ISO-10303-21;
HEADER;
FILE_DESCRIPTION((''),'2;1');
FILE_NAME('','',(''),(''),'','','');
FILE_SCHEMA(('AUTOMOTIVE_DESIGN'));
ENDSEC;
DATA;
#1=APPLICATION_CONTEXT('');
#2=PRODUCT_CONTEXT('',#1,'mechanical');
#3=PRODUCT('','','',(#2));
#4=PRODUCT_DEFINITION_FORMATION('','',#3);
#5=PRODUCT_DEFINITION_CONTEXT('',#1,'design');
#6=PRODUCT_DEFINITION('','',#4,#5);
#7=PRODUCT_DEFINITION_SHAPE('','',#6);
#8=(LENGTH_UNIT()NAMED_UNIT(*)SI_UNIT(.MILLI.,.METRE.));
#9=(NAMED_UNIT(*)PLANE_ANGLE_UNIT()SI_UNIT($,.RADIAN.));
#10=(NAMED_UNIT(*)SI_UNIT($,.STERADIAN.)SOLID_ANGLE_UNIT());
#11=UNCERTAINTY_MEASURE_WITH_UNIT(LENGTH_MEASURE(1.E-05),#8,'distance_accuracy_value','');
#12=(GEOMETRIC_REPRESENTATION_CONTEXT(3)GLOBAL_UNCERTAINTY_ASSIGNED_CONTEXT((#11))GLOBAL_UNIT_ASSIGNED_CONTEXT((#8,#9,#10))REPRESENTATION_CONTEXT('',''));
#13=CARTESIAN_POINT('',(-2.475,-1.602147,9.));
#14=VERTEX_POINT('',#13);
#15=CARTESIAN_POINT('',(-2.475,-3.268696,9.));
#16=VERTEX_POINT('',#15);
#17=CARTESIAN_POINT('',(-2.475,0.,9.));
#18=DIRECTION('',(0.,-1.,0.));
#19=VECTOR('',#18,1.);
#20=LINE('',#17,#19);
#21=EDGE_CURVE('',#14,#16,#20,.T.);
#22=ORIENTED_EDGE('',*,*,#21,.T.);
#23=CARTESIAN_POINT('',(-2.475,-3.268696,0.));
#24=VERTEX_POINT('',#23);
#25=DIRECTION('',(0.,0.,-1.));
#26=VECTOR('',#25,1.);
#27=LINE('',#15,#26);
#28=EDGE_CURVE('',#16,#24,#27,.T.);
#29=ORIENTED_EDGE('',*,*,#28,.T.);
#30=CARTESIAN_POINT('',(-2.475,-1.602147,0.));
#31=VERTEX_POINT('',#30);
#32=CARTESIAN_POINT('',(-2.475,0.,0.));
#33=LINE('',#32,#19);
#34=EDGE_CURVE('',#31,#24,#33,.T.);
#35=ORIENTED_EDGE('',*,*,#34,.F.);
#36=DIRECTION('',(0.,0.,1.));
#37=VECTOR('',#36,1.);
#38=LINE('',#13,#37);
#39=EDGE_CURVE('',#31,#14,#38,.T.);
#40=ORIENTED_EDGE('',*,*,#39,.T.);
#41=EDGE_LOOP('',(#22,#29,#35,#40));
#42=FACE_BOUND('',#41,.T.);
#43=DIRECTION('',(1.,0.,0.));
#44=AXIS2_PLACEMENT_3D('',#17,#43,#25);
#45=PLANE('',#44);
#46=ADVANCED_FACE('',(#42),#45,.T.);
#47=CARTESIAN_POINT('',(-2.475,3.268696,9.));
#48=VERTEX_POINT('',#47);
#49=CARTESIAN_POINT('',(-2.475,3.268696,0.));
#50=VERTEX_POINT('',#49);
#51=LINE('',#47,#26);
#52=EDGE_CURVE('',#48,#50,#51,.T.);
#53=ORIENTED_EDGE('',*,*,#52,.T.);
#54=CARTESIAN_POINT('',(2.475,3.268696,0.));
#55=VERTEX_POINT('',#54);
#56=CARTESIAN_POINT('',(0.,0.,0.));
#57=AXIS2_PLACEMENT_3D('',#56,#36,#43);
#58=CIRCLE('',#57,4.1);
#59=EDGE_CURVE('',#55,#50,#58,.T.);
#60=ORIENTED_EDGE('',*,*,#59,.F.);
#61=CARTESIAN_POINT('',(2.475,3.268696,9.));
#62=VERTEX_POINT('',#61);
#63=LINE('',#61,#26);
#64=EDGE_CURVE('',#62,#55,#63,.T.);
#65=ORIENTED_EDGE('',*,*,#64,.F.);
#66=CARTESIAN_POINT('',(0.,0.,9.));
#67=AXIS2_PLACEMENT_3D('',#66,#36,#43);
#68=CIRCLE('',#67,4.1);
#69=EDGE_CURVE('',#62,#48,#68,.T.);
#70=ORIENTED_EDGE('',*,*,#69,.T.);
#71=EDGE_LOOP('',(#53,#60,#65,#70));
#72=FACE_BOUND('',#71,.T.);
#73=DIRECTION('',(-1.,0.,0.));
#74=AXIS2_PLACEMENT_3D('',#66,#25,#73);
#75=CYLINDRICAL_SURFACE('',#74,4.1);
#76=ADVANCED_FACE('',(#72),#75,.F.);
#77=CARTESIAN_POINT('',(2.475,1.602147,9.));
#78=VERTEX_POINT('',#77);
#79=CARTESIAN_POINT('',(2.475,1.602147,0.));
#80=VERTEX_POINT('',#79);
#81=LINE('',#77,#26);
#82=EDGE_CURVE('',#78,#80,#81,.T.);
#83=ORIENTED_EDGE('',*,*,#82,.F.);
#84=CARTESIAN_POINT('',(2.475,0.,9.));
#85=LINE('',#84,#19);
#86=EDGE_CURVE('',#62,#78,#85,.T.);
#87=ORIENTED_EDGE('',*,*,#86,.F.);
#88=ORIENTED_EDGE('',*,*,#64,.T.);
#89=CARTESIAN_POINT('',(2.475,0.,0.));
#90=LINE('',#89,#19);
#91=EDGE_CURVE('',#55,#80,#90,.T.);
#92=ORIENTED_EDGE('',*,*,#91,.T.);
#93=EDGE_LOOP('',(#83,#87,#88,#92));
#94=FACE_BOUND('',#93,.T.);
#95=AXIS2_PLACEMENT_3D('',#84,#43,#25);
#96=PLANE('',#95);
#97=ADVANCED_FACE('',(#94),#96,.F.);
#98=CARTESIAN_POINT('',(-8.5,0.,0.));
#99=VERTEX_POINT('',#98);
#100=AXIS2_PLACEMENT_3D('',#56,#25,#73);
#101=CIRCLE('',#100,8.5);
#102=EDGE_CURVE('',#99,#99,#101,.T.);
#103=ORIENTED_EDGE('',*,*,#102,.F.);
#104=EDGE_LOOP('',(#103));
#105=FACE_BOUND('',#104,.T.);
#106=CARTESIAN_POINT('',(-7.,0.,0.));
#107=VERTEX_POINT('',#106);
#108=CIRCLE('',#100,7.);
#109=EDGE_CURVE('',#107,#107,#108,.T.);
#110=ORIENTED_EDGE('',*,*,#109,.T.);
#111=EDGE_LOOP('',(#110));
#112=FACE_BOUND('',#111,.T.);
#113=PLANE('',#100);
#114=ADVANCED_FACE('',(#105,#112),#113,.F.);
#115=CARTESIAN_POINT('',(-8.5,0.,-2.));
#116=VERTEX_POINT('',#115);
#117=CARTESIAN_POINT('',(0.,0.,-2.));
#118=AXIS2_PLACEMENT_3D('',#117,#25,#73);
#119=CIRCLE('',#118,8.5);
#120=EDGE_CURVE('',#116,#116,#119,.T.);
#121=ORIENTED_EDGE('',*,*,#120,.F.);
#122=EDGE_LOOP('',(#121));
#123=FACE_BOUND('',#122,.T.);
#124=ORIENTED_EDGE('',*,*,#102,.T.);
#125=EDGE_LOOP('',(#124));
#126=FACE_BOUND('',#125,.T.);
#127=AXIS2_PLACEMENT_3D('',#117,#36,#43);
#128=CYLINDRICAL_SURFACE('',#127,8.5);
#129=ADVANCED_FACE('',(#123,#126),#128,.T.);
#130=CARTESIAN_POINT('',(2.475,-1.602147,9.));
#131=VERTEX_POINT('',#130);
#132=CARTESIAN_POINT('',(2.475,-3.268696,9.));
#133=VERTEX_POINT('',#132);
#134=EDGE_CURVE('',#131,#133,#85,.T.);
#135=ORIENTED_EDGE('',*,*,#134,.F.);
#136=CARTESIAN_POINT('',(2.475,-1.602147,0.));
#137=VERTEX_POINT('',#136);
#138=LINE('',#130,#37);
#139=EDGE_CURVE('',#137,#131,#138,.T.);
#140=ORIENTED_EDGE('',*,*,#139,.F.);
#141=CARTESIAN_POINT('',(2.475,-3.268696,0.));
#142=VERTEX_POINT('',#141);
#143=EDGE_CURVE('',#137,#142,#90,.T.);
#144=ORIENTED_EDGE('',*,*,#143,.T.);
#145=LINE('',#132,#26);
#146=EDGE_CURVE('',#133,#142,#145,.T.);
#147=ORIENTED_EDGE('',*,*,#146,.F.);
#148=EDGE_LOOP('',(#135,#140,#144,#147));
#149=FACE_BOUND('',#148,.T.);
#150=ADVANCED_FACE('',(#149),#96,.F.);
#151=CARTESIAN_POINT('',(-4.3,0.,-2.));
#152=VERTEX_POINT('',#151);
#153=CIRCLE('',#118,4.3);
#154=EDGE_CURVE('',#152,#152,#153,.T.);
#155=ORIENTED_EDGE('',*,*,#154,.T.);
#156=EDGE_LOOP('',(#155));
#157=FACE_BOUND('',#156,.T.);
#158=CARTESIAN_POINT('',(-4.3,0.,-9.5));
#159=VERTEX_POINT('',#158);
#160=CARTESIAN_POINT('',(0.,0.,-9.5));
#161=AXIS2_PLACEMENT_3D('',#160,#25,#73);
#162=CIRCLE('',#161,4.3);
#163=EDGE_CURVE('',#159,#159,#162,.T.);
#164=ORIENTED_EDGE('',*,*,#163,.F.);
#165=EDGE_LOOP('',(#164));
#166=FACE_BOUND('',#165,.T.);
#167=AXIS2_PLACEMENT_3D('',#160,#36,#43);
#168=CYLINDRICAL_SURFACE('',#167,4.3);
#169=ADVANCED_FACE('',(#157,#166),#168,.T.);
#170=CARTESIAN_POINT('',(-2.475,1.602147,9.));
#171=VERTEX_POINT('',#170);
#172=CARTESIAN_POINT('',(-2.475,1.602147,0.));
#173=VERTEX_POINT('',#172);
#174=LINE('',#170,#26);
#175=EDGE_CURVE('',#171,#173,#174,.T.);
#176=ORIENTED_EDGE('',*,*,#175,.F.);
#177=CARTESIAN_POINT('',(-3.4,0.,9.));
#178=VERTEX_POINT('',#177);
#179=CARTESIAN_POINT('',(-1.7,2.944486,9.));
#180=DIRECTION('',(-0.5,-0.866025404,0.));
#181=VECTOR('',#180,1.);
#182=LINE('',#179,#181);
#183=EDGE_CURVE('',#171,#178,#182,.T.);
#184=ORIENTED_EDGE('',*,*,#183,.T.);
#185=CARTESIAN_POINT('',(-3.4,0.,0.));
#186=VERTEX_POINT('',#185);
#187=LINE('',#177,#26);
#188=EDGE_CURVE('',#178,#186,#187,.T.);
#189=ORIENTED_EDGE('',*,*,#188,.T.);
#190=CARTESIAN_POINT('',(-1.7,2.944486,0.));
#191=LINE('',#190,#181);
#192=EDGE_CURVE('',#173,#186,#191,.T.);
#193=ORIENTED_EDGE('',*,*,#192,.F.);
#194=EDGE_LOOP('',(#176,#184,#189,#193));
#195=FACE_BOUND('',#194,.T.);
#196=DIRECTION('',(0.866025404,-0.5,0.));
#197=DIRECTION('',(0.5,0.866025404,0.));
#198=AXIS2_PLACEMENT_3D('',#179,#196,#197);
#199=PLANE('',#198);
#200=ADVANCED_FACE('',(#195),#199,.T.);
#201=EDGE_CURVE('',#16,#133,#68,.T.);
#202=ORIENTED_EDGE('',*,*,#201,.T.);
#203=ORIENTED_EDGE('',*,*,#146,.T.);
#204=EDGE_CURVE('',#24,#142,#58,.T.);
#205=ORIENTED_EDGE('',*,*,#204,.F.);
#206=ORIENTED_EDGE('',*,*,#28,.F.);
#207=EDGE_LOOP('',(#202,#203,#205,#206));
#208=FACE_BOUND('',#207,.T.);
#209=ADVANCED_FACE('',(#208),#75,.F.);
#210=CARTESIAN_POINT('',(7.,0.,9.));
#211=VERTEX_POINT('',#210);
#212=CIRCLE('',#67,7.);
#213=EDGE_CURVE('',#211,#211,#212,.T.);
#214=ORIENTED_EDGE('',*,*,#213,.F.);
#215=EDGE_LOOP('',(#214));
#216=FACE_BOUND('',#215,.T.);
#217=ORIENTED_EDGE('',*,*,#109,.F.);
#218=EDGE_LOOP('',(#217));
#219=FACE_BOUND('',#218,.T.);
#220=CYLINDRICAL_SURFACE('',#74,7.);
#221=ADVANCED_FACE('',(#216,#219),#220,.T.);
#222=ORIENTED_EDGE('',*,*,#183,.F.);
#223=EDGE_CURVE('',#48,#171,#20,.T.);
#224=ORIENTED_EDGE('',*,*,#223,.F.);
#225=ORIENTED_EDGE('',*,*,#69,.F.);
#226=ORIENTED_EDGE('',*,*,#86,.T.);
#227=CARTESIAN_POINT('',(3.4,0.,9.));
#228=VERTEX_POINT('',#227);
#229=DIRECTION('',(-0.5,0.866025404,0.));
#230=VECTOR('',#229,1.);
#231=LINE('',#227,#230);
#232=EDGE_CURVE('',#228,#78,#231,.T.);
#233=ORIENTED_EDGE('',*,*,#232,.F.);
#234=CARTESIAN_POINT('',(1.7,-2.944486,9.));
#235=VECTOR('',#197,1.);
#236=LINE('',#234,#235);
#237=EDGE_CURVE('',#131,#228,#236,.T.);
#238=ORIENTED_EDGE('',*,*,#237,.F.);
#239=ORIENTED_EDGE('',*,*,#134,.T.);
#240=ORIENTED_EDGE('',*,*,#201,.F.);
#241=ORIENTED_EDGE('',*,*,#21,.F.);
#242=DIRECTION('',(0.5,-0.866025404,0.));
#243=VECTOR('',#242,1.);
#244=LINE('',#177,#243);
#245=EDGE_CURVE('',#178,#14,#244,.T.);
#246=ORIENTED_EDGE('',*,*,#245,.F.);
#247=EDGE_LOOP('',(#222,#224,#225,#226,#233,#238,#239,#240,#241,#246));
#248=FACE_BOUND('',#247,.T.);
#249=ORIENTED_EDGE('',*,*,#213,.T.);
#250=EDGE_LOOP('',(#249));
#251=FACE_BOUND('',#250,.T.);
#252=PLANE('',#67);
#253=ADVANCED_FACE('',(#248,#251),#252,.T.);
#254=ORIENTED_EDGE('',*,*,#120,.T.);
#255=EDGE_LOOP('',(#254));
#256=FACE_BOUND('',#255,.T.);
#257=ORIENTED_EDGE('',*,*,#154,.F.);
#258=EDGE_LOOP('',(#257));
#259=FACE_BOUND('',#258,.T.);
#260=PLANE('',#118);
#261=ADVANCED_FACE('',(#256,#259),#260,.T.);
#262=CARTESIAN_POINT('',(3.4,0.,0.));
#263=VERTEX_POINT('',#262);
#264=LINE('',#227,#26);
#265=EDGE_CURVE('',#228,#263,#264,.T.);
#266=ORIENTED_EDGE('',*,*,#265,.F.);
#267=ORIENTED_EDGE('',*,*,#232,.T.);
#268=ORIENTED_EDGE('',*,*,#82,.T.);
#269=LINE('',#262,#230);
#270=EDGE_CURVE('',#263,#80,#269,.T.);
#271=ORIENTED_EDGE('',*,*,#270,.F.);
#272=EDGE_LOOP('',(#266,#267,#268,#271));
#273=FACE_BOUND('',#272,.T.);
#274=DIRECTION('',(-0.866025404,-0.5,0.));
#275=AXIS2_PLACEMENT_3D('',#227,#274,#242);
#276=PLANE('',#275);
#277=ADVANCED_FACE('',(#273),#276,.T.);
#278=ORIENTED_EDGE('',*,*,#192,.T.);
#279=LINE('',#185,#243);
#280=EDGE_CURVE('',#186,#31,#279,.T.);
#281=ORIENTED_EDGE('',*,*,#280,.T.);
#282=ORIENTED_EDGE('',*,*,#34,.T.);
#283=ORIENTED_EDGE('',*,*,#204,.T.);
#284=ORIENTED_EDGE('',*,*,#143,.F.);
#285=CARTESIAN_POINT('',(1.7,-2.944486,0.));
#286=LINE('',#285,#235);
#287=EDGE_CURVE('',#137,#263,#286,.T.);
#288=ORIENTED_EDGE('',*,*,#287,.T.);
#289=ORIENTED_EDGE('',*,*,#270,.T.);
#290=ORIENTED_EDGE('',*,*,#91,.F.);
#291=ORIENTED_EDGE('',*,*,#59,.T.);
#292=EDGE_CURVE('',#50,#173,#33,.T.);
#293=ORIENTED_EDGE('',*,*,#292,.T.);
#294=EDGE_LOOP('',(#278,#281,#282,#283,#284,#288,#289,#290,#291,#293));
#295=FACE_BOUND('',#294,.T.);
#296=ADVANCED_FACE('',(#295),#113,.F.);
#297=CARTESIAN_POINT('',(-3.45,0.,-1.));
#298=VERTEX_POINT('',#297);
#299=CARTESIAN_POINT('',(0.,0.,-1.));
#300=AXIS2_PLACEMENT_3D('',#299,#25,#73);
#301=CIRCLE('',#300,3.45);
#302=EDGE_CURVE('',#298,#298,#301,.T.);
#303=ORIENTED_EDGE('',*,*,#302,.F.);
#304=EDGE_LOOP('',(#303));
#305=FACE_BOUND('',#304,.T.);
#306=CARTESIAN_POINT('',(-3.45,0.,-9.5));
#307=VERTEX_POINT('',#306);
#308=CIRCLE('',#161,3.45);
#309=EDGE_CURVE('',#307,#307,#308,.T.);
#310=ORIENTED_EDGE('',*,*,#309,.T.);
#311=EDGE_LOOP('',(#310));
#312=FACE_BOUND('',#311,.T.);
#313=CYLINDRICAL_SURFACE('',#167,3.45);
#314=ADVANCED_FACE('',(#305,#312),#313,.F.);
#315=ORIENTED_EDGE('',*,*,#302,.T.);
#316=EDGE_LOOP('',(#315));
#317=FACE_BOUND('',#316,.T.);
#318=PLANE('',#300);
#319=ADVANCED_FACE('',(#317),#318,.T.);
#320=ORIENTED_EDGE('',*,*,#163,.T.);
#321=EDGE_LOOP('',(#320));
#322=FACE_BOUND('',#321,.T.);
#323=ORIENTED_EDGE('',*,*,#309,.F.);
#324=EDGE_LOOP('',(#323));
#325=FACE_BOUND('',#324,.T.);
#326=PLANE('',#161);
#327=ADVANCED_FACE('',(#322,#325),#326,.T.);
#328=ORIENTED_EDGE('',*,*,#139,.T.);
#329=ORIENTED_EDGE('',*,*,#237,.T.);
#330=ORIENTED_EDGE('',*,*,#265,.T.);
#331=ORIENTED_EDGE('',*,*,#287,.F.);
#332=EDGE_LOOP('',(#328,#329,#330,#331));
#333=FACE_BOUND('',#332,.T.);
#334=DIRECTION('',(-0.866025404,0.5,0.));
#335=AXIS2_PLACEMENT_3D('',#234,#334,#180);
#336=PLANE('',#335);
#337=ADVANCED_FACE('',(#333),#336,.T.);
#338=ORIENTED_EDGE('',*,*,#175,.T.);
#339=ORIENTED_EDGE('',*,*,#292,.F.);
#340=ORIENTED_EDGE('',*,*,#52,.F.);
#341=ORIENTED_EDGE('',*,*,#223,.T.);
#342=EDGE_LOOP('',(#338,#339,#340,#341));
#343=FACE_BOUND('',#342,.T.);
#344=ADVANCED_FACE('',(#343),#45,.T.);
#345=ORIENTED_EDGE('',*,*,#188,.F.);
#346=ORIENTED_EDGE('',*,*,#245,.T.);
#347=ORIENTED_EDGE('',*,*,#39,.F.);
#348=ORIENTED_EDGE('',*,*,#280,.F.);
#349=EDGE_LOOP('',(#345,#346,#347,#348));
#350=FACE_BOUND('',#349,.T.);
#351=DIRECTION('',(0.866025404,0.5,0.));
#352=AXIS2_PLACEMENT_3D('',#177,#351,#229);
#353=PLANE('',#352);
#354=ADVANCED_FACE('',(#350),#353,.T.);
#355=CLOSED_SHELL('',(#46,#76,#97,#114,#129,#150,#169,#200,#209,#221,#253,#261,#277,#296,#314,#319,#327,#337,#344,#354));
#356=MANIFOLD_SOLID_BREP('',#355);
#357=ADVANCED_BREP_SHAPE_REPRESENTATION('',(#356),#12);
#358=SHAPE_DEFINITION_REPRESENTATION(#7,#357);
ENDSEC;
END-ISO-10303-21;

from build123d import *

# Parameters (mm, degrees)
SKETCH1_R               = 7
SKETCH1_R_2             = 4.1
BOSS_EXTRUDE1_DEPTH     = 9
SKETCH5_R               = 8.5
BOSS_EXTRUDE3_DEPTH     = 2
CUT_EXTRUDE4_DEPTH      = 16.016657418
SKETCH10_R              = 4.3
BOSS_EXTRUDE4_DEPTH     = 7.5
CUT_EXTRUDE8_DEPTH      = 17.294170737
CUT_EXTRUDE8_DEPTH_BACK = 1
SKETCH6_R               = 3.45


with BuildPart() as part:
    # Sketch1 → Boss-Extrude1 (new body)
    # profile 1 of 3: a face of its own
    with BuildSketch(Plane.XY):
        Circle(SKETCH1_R)
        Circle(SKETCH1_R_2, mode=Mode.SUBTRACT)
    # profile 2 of 3: a face of its own
    with BuildSketch(Plane.XY):
        with BuildLine():
            Line((-2.475, -3.268696223), (-2.475, 3.268696223))
            ThreePointArc((-2.475, 3.268696223), (-4.1, 0), (-2.475, -3.268696223))
        make_face()
    # profile 3 of 3: a face of its own
    with BuildSketch(Plane.XY):
        with BuildLine():
            ThreePointArc((4.1, 0), (3.671341717, 1.825171225), (2.475, 3.268696223))
            Line((2.475, 3.268696223), (2.475, -3.268696223))
            ThreePointArc((2.475, -3.268696223), (3.671341717, -1.825171225), (4.1, 0))
        make_face()
    extrude(amount=BOSS_EXTRUDE1_DEPTH)

    # Sketch5 → Boss-Extrude3 (add)
    with BuildSketch(Plane(origin=(0, 0, 0), x_dir=(-1, 0, 0), z_dir=(0, 0, -1))):
        Circle(SKETCH5_R)
    extrude(amount=BOSS_EXTRUDE3_DEPTH)

    # Sketch9 → Cut-Extrude4 (cut, through all)
    with BuildSketch(Plane.XY):
        Polygon((-3.4, 0), (-1.7, -2.944486373), (1.7, -2.944486373), (3.4, 0), (1.7, 2.944486373), (-1.7, 2.944486373), align=None)
    extrude(amount=CUT_EXTRUDE4_DEPTH, mode=Mode.SUBTRACT)

    # Sketch10 → Boss-Extrude4 (add)
    with BuildSketch(Plane(origin=(0, 0, -2), x_dir=(-1, 0, 0), z_dir=(0, 0, -1))):
        Circle(SKETCH10_R)
    extrude(amount=BOSS_EXTRUDE4_DEPTH)

    # Sketch6 → Cut-Extrude8 (cut, two sides: drawn at the far end of the back side and taken through both)
    with BuildSketch(Plane(origin=(0, 0, -2), x_dir=(-1, 0, 0), z_dir=(0, 0, -1)).offset(-CUT_EXTRUDE8_DEPTH_BACK)):
        Circle(SKETCH6_R)
    extrude(amount=CUT_EXTRUDE8_DEPTH + CUT_EXTRUDE8_DEPTH_BACK, mode=Mode.SUBTRACT)


solid = part.part
